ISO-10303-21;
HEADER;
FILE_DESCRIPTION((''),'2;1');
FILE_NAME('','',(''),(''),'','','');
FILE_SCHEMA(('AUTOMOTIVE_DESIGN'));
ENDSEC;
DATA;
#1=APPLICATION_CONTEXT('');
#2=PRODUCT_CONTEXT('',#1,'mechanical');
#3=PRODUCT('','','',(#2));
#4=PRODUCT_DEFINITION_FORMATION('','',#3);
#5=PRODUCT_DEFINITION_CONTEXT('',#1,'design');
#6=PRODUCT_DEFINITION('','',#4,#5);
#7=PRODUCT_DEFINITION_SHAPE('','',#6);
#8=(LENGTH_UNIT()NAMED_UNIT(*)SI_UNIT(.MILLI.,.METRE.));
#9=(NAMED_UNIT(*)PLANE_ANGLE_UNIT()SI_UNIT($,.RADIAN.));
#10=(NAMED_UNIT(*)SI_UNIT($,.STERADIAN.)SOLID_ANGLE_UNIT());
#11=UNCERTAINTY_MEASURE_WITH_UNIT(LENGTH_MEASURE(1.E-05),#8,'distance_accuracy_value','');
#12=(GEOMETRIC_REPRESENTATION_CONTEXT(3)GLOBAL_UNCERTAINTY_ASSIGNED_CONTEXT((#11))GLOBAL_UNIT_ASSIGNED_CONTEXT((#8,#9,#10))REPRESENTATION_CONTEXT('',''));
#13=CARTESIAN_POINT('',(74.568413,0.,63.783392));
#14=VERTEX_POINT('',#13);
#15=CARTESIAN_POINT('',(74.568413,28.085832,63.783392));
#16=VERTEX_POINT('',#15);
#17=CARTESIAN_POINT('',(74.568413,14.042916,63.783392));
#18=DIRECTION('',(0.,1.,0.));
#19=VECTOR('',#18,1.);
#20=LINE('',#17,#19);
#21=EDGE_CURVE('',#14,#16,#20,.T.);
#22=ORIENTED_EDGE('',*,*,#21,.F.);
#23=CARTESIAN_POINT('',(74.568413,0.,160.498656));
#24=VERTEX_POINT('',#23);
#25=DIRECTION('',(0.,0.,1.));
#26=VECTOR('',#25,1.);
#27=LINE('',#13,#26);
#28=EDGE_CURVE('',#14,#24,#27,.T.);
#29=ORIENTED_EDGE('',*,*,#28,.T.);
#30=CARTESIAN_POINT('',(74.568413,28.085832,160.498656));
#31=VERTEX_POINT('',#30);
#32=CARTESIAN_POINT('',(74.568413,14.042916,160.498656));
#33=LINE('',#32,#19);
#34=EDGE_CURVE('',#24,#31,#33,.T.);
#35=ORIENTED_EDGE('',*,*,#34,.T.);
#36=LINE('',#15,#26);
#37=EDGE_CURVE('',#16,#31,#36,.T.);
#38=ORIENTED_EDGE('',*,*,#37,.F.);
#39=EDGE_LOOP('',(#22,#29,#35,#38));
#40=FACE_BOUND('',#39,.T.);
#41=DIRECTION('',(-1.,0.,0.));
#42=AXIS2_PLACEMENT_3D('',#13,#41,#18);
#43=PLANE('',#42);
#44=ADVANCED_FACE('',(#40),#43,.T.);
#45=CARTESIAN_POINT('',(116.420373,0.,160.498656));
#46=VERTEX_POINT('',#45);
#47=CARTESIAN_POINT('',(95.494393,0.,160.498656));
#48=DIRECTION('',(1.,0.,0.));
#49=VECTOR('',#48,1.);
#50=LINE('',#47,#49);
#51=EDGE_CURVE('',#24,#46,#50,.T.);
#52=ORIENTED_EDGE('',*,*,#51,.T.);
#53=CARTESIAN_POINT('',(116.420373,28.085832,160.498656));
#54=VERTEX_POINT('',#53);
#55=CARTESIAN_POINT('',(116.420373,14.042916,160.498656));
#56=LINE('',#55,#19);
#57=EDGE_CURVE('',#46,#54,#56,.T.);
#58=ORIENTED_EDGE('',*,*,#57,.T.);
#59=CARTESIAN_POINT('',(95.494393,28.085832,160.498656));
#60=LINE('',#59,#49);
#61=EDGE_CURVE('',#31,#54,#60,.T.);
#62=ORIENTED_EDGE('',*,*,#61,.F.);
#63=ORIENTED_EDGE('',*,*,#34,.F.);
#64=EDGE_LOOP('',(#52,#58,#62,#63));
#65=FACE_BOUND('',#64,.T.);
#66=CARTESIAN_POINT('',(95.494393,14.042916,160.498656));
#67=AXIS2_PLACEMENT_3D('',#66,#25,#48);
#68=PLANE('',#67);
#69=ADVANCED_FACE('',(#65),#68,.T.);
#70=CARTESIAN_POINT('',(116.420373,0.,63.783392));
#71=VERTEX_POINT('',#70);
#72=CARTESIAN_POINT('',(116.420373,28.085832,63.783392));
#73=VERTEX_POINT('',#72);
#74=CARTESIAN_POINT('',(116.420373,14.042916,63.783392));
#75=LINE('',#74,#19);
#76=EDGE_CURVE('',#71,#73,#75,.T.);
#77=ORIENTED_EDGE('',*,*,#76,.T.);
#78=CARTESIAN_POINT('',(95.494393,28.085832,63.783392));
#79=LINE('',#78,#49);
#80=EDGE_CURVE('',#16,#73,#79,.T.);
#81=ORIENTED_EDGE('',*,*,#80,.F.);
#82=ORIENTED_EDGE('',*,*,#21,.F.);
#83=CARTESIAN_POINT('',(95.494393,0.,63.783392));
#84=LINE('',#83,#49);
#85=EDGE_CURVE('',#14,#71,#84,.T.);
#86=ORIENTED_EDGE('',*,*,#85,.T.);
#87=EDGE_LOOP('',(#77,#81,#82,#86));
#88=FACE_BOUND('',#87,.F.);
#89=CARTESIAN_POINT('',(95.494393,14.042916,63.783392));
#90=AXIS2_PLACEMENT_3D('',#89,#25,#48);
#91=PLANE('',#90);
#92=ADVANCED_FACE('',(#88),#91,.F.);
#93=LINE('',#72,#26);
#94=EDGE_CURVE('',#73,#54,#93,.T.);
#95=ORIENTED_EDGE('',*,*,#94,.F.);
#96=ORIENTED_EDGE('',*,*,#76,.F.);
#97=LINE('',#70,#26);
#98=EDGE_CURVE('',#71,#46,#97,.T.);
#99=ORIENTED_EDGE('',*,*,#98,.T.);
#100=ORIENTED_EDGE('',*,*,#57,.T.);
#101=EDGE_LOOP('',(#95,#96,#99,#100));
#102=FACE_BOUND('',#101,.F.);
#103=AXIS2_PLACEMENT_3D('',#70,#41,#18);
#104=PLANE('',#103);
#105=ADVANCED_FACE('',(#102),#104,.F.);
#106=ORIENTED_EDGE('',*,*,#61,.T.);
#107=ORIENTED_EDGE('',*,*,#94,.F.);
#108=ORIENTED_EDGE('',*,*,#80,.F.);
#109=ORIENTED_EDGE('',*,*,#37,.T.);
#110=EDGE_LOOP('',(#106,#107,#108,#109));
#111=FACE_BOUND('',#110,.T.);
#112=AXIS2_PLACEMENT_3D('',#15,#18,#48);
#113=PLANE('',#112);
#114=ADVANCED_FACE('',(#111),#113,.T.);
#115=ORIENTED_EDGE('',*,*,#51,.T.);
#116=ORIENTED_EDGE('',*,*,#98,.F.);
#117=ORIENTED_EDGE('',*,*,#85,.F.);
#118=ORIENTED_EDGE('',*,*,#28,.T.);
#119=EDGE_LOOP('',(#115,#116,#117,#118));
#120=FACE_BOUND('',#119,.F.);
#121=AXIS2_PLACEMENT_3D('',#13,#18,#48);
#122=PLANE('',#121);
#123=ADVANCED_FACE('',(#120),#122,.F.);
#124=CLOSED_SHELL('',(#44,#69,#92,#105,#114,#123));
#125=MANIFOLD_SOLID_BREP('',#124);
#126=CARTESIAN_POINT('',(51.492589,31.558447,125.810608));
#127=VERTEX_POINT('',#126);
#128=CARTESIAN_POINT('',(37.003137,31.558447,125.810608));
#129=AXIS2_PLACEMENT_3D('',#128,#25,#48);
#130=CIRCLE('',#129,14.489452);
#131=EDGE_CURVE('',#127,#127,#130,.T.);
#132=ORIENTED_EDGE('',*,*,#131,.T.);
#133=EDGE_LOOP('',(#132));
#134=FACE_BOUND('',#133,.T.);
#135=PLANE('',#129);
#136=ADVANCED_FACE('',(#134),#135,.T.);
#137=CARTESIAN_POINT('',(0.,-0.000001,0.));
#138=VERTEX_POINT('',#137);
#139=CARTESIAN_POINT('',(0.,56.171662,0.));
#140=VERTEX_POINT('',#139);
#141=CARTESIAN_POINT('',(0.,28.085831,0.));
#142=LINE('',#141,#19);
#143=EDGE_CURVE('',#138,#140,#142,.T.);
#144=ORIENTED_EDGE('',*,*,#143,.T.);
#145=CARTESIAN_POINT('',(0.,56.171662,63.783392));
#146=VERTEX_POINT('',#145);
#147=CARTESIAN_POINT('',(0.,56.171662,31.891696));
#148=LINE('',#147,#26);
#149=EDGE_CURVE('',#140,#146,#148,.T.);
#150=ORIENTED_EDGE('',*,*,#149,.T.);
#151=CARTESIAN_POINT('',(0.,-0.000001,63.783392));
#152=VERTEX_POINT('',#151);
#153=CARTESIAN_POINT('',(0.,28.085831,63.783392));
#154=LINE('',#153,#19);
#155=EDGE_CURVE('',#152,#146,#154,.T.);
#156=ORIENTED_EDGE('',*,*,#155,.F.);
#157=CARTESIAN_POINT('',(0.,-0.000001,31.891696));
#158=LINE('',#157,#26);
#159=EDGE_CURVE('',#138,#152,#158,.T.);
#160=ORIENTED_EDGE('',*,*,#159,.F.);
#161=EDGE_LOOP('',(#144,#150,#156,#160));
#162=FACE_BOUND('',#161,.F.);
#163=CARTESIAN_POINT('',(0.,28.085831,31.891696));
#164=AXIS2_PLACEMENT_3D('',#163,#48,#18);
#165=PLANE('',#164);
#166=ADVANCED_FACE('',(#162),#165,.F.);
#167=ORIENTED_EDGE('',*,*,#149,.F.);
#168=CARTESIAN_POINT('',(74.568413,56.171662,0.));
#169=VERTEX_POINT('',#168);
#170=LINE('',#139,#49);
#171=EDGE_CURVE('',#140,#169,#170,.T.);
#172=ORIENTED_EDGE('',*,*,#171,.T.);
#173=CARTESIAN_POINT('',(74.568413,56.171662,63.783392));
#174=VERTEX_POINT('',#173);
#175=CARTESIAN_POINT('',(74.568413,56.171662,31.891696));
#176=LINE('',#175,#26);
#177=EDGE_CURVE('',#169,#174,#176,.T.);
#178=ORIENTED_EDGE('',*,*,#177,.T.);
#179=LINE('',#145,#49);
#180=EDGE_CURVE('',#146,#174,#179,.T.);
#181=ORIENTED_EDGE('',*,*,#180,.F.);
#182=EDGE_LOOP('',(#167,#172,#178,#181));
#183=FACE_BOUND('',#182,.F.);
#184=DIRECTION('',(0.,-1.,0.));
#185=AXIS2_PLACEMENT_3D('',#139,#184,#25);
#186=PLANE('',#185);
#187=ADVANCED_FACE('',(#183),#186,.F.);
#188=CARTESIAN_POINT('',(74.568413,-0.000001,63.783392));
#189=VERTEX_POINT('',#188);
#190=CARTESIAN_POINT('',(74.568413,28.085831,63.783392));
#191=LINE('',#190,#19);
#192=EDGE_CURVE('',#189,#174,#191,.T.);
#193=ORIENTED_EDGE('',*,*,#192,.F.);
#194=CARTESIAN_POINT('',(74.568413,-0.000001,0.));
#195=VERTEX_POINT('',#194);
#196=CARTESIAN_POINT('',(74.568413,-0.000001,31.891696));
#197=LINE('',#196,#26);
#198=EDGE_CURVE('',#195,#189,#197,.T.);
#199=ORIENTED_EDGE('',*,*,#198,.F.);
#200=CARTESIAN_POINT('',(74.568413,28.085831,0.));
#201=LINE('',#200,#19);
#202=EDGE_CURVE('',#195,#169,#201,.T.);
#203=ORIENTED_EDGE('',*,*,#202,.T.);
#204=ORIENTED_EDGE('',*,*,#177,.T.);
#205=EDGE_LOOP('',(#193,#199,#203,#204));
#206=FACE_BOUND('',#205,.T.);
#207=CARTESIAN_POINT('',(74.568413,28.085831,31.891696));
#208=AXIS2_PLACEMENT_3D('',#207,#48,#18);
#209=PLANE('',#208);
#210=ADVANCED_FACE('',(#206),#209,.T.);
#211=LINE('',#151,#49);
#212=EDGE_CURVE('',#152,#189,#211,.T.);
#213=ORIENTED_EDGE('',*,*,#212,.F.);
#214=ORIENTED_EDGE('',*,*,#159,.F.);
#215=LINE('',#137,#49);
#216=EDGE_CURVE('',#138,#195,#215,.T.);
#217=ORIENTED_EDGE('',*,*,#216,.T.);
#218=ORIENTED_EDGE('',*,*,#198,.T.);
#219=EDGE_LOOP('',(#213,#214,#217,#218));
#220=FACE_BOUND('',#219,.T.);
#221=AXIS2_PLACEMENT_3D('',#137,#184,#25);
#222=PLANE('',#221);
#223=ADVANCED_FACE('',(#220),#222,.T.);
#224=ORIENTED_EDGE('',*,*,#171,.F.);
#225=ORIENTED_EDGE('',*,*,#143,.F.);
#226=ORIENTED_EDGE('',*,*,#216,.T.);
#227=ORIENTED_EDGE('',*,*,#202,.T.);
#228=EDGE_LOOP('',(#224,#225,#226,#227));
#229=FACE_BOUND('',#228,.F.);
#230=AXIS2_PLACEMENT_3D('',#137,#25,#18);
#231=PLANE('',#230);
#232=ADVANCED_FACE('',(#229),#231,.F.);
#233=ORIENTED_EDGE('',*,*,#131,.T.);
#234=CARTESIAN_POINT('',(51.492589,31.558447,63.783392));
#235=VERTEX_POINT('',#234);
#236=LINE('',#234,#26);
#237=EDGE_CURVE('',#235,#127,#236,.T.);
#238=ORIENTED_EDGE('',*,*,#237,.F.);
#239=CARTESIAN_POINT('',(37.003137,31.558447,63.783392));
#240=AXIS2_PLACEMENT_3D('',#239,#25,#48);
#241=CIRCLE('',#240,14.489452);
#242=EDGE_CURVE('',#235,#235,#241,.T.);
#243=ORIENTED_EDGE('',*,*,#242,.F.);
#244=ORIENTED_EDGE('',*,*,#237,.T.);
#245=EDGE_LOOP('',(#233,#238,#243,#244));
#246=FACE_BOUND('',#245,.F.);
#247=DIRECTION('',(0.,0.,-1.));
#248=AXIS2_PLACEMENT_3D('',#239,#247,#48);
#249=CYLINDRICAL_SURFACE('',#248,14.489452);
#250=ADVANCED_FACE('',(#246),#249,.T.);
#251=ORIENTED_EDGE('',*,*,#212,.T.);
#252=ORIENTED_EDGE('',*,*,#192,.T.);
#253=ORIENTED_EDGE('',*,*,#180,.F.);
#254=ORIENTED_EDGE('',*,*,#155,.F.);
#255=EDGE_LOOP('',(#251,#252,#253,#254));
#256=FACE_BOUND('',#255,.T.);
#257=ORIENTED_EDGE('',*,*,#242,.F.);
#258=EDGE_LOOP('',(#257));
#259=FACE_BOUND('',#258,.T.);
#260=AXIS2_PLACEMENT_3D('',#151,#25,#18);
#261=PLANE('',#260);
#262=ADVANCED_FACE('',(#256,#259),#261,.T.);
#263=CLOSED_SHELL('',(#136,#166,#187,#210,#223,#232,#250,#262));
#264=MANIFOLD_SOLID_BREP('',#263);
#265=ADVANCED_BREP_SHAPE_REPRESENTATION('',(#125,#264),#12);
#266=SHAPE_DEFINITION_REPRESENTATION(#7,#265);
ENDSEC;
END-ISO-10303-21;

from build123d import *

# Parameters (mm, degrees)
F0_W     = 56.171663
F0_H     = 63.783392
F1_DEPTH = 74.568413
F2_W     = 41.85196
F2_H     = 28.085832
F3_DEPTH = 96.715264
F4_R     = 14.489452
F5_DEPTH = 62.027216


with BuildPart() as f1:
    # F0 (on Right) → F1 (new body)
    with BuildSketch(Plane.YZ):
        with Locations((28.085831, 31.891696)):
            Rectangle(F0_W, F0_H)
    extrude(amount=F1_DEPTH)

    # F4 (on face) → F5 (join)
    with BuildSketch(Plane.XY.offset(63.783392)):
        with Locations((37.003137, 31.558447)):
            Circle(F4_R)
    extrude(amount=F5_DEPTH)


with BuildPart() as f3:
    # F2 (on face) → F3 (new body)
    with BuildSketch(Plane.XY.offset(63.783392)):
        with Locations((95.494393, 14.042916)):
            Rectangle(F2_W, F2_H)
    extrude(amount=F3_DEPTH)


solid = Compound([f1.part, f3.part])
